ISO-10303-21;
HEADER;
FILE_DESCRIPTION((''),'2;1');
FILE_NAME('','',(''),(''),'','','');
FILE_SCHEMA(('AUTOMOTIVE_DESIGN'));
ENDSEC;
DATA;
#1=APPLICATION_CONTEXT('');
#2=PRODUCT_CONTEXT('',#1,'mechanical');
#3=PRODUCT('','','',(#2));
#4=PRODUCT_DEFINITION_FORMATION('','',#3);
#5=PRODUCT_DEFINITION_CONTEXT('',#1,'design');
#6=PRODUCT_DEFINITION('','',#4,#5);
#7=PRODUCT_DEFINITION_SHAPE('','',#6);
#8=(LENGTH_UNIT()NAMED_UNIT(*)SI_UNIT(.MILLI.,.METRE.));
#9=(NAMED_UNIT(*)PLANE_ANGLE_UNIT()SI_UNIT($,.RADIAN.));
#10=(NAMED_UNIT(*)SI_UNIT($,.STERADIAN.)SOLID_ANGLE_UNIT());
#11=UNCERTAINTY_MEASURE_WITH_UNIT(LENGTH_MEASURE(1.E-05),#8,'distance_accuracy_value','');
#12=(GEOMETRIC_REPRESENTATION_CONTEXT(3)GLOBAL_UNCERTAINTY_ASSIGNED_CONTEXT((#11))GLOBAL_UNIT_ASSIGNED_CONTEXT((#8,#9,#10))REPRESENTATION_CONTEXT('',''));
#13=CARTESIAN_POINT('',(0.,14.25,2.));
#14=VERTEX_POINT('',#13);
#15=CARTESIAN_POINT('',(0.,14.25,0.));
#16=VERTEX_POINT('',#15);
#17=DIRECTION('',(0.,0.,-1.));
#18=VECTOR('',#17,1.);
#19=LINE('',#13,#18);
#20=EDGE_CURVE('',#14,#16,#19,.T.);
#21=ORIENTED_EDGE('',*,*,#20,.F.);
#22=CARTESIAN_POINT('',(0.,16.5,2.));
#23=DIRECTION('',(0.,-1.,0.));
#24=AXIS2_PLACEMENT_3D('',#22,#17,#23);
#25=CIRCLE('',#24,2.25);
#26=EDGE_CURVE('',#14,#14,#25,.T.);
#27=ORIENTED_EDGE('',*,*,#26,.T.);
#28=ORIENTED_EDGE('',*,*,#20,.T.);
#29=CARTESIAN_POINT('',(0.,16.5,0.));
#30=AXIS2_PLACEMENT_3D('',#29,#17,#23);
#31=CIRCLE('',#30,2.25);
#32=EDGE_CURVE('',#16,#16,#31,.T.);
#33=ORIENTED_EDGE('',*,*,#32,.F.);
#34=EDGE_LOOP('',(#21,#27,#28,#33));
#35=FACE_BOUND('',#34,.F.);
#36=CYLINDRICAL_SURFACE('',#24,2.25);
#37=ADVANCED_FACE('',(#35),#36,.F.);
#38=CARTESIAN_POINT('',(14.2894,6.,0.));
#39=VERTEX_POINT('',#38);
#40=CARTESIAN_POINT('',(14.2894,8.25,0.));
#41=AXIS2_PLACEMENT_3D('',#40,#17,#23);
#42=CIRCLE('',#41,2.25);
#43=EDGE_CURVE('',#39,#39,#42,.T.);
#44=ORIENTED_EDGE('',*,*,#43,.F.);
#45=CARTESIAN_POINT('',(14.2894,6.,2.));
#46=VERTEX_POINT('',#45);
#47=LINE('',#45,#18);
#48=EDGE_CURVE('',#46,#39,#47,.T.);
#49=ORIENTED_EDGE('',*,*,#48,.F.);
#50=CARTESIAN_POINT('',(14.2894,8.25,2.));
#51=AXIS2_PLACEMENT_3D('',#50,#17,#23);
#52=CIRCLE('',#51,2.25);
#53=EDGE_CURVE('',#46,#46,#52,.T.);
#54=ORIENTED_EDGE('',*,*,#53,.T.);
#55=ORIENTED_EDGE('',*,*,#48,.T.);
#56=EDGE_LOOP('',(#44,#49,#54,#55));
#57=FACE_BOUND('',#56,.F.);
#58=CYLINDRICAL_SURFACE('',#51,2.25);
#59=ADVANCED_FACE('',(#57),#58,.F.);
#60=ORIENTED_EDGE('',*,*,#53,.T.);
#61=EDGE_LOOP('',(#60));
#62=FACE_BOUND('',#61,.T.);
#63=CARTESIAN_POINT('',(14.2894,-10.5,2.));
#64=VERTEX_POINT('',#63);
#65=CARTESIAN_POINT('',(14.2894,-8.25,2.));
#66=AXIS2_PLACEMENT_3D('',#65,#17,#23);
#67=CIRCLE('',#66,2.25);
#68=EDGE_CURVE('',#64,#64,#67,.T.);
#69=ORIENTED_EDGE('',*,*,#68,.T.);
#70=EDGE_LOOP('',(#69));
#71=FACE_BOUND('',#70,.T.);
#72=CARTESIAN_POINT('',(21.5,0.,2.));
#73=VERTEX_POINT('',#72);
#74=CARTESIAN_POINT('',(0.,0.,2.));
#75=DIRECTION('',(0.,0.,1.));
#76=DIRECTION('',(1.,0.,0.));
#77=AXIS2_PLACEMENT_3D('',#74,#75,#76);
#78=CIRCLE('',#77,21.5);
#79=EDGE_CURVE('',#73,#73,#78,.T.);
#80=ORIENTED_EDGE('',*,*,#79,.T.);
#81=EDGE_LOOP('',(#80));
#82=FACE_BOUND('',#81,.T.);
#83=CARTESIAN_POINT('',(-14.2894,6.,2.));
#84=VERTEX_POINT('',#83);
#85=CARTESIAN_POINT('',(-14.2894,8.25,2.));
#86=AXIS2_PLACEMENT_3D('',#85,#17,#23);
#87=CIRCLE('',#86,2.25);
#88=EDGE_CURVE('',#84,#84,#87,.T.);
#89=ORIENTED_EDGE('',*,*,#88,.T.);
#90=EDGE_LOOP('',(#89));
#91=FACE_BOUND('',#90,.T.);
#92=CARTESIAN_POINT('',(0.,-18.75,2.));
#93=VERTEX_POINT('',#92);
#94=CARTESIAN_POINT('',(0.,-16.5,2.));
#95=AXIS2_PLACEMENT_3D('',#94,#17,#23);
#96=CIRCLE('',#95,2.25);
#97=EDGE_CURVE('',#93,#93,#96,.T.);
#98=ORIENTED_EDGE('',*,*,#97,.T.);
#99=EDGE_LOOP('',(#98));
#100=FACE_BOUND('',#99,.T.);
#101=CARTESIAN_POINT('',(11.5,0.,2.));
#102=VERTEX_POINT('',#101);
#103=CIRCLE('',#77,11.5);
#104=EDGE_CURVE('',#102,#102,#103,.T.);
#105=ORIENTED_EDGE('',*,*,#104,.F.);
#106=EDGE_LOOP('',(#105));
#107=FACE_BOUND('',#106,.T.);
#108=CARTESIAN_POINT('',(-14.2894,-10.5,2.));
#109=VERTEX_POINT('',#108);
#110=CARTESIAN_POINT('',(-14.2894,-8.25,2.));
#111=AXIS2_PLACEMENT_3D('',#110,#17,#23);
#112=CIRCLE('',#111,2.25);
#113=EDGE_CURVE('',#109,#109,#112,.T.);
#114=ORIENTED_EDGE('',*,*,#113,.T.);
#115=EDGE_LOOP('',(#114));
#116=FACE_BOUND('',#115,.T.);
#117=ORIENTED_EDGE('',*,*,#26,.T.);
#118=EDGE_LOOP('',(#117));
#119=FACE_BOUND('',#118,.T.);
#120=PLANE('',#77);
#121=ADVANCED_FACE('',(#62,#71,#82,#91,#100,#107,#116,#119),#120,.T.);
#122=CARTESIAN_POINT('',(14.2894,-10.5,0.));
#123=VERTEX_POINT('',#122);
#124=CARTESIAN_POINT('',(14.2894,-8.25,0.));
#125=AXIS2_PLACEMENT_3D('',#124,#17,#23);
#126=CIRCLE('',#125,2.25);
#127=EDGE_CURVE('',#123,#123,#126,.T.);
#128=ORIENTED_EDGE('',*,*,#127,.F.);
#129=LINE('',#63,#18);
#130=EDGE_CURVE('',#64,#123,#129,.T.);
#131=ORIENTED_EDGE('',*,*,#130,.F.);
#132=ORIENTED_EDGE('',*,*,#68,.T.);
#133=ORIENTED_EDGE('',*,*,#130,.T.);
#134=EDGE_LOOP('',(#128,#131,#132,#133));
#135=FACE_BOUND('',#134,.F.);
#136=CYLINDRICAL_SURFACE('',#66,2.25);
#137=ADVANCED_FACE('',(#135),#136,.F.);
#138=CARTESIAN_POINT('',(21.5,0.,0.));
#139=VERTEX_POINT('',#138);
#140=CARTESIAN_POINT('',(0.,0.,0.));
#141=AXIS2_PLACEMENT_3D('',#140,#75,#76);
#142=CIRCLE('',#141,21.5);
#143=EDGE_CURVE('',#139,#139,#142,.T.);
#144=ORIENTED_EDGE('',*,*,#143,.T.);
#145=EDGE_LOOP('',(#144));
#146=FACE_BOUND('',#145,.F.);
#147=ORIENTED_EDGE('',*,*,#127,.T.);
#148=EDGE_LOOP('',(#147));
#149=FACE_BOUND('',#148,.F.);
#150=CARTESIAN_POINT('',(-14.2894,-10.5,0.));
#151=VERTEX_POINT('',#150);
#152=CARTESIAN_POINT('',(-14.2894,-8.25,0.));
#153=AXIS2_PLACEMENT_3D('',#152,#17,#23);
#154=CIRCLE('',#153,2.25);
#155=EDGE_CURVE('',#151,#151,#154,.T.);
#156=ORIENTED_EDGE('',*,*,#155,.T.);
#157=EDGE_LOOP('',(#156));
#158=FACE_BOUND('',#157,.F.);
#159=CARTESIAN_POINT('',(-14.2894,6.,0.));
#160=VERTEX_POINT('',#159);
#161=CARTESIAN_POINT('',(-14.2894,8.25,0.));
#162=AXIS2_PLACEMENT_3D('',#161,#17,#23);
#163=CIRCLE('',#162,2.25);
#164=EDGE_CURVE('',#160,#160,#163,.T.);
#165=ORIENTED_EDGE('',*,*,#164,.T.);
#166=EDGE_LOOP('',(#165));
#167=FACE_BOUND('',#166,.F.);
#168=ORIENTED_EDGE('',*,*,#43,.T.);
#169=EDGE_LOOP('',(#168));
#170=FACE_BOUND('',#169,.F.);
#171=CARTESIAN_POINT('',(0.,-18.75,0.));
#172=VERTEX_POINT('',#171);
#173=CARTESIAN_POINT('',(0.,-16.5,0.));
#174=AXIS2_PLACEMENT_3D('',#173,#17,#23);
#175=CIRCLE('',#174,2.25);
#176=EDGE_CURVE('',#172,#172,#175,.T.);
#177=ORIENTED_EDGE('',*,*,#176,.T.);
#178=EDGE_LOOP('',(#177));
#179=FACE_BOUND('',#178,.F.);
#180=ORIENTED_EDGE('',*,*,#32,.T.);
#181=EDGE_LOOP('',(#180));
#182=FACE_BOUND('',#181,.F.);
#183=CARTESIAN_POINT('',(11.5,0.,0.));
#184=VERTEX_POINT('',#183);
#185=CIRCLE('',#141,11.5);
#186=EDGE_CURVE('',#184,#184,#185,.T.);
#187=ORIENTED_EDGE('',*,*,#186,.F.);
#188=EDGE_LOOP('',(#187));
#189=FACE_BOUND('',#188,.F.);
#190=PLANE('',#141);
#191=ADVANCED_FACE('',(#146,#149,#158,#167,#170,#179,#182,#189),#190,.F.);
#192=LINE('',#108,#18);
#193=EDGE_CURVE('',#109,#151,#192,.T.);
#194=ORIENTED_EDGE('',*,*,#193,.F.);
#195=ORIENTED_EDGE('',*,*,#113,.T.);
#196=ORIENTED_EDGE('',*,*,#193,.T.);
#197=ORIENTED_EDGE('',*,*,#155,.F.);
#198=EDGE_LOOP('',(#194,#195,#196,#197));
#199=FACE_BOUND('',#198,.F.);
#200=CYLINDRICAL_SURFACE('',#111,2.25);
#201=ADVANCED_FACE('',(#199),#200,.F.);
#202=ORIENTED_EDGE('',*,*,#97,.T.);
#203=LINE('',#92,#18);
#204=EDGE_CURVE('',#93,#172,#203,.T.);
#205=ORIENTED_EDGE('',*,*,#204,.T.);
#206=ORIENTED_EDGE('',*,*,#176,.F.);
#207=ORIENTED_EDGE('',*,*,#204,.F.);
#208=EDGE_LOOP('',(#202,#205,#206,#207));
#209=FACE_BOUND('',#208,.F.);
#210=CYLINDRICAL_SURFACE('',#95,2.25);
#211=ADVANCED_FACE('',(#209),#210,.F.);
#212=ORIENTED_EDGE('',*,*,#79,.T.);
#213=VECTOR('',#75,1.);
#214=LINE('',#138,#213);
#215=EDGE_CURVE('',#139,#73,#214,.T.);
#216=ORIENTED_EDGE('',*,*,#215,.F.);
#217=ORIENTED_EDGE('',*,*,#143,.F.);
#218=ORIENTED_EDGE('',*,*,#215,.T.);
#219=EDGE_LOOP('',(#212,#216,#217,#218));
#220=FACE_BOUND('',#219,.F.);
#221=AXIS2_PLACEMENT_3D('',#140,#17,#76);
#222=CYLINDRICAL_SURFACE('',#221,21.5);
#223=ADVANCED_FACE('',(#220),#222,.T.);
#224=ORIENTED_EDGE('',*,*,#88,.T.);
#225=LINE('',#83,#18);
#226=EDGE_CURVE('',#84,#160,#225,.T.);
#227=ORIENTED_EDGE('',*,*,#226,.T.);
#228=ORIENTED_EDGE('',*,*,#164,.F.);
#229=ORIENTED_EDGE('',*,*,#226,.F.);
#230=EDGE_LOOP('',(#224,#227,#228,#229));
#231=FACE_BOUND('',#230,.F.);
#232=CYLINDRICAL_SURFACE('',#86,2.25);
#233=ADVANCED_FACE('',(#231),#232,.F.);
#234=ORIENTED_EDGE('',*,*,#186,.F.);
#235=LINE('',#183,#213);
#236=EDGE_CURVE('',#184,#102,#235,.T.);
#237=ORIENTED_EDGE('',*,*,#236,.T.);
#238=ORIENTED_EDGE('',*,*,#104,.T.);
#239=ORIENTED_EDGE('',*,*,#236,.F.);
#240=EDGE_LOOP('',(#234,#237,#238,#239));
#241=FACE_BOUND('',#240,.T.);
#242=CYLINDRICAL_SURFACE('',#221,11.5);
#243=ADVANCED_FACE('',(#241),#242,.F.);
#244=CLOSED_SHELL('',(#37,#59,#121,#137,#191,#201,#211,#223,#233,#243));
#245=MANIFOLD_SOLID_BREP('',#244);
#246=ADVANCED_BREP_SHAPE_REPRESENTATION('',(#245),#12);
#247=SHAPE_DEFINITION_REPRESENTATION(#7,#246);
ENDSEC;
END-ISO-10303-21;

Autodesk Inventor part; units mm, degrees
ref_plane "YZ Plane" through (0, 0, 0) normal (1, 0, 0) x (0, 1, 0)
ref_plane "XZ Plane" through (0, 0, 0) normal (0, 1, 0) x (-1, 0, 0)
ref_plane "XY Plane" through (0, 0, 0) normal (0, 0, 1) x (1, 0, 0)
sketch "Sketch2" plane through (0, 0, 0) normal (0, 0, 1) x (1, 0, 0)
  circle A0 centre (0, 0) radius 11.5
  circle A1 centre (0, 0) radius 21.5
  dimension "d0" = 23
  dimension "d1" = 10
extrude "Extrusion1" add sketch "Sketch2" along normal blind 2
sketch "Sketch3" plane through (0, 0, 2) normal (0, 0, 1) x (1, 0, 0)
  circle A0 centre (0, 0) radius 21.5 construction
  circle A1 centre (0, 0) radius 11.5 construction
  circle A2 centre (0, 0) radius 16.5 construction
  point P0 (0, 16.5)
  point P1 (-14.2894, 8.25)
  point P2 (-14.2894, -8.25)
  point P3 (0, -16.5)
  point P4 (14.2894, -8.25)
  point P5 (14.2894, 8.25)
  dimension "d13" = 33
  dimension "d16" = 360
hole "Hole1" at (-14.2894, 8.25, 2) at (0, 16.5, 2) at (14.2894, 8.25, 2) at (14.2894, -8.25, 2) at (0, -16.5, 2) at (-14.2894, -8.25, 2) direction (0, 0, -1) diameter 4.5 end through all clearance for "Flat Head Machine Screw" size "M4" standard "Ansi Metric M Profile"
properties part number "P025" material "Polytetrafluoroethylene"
